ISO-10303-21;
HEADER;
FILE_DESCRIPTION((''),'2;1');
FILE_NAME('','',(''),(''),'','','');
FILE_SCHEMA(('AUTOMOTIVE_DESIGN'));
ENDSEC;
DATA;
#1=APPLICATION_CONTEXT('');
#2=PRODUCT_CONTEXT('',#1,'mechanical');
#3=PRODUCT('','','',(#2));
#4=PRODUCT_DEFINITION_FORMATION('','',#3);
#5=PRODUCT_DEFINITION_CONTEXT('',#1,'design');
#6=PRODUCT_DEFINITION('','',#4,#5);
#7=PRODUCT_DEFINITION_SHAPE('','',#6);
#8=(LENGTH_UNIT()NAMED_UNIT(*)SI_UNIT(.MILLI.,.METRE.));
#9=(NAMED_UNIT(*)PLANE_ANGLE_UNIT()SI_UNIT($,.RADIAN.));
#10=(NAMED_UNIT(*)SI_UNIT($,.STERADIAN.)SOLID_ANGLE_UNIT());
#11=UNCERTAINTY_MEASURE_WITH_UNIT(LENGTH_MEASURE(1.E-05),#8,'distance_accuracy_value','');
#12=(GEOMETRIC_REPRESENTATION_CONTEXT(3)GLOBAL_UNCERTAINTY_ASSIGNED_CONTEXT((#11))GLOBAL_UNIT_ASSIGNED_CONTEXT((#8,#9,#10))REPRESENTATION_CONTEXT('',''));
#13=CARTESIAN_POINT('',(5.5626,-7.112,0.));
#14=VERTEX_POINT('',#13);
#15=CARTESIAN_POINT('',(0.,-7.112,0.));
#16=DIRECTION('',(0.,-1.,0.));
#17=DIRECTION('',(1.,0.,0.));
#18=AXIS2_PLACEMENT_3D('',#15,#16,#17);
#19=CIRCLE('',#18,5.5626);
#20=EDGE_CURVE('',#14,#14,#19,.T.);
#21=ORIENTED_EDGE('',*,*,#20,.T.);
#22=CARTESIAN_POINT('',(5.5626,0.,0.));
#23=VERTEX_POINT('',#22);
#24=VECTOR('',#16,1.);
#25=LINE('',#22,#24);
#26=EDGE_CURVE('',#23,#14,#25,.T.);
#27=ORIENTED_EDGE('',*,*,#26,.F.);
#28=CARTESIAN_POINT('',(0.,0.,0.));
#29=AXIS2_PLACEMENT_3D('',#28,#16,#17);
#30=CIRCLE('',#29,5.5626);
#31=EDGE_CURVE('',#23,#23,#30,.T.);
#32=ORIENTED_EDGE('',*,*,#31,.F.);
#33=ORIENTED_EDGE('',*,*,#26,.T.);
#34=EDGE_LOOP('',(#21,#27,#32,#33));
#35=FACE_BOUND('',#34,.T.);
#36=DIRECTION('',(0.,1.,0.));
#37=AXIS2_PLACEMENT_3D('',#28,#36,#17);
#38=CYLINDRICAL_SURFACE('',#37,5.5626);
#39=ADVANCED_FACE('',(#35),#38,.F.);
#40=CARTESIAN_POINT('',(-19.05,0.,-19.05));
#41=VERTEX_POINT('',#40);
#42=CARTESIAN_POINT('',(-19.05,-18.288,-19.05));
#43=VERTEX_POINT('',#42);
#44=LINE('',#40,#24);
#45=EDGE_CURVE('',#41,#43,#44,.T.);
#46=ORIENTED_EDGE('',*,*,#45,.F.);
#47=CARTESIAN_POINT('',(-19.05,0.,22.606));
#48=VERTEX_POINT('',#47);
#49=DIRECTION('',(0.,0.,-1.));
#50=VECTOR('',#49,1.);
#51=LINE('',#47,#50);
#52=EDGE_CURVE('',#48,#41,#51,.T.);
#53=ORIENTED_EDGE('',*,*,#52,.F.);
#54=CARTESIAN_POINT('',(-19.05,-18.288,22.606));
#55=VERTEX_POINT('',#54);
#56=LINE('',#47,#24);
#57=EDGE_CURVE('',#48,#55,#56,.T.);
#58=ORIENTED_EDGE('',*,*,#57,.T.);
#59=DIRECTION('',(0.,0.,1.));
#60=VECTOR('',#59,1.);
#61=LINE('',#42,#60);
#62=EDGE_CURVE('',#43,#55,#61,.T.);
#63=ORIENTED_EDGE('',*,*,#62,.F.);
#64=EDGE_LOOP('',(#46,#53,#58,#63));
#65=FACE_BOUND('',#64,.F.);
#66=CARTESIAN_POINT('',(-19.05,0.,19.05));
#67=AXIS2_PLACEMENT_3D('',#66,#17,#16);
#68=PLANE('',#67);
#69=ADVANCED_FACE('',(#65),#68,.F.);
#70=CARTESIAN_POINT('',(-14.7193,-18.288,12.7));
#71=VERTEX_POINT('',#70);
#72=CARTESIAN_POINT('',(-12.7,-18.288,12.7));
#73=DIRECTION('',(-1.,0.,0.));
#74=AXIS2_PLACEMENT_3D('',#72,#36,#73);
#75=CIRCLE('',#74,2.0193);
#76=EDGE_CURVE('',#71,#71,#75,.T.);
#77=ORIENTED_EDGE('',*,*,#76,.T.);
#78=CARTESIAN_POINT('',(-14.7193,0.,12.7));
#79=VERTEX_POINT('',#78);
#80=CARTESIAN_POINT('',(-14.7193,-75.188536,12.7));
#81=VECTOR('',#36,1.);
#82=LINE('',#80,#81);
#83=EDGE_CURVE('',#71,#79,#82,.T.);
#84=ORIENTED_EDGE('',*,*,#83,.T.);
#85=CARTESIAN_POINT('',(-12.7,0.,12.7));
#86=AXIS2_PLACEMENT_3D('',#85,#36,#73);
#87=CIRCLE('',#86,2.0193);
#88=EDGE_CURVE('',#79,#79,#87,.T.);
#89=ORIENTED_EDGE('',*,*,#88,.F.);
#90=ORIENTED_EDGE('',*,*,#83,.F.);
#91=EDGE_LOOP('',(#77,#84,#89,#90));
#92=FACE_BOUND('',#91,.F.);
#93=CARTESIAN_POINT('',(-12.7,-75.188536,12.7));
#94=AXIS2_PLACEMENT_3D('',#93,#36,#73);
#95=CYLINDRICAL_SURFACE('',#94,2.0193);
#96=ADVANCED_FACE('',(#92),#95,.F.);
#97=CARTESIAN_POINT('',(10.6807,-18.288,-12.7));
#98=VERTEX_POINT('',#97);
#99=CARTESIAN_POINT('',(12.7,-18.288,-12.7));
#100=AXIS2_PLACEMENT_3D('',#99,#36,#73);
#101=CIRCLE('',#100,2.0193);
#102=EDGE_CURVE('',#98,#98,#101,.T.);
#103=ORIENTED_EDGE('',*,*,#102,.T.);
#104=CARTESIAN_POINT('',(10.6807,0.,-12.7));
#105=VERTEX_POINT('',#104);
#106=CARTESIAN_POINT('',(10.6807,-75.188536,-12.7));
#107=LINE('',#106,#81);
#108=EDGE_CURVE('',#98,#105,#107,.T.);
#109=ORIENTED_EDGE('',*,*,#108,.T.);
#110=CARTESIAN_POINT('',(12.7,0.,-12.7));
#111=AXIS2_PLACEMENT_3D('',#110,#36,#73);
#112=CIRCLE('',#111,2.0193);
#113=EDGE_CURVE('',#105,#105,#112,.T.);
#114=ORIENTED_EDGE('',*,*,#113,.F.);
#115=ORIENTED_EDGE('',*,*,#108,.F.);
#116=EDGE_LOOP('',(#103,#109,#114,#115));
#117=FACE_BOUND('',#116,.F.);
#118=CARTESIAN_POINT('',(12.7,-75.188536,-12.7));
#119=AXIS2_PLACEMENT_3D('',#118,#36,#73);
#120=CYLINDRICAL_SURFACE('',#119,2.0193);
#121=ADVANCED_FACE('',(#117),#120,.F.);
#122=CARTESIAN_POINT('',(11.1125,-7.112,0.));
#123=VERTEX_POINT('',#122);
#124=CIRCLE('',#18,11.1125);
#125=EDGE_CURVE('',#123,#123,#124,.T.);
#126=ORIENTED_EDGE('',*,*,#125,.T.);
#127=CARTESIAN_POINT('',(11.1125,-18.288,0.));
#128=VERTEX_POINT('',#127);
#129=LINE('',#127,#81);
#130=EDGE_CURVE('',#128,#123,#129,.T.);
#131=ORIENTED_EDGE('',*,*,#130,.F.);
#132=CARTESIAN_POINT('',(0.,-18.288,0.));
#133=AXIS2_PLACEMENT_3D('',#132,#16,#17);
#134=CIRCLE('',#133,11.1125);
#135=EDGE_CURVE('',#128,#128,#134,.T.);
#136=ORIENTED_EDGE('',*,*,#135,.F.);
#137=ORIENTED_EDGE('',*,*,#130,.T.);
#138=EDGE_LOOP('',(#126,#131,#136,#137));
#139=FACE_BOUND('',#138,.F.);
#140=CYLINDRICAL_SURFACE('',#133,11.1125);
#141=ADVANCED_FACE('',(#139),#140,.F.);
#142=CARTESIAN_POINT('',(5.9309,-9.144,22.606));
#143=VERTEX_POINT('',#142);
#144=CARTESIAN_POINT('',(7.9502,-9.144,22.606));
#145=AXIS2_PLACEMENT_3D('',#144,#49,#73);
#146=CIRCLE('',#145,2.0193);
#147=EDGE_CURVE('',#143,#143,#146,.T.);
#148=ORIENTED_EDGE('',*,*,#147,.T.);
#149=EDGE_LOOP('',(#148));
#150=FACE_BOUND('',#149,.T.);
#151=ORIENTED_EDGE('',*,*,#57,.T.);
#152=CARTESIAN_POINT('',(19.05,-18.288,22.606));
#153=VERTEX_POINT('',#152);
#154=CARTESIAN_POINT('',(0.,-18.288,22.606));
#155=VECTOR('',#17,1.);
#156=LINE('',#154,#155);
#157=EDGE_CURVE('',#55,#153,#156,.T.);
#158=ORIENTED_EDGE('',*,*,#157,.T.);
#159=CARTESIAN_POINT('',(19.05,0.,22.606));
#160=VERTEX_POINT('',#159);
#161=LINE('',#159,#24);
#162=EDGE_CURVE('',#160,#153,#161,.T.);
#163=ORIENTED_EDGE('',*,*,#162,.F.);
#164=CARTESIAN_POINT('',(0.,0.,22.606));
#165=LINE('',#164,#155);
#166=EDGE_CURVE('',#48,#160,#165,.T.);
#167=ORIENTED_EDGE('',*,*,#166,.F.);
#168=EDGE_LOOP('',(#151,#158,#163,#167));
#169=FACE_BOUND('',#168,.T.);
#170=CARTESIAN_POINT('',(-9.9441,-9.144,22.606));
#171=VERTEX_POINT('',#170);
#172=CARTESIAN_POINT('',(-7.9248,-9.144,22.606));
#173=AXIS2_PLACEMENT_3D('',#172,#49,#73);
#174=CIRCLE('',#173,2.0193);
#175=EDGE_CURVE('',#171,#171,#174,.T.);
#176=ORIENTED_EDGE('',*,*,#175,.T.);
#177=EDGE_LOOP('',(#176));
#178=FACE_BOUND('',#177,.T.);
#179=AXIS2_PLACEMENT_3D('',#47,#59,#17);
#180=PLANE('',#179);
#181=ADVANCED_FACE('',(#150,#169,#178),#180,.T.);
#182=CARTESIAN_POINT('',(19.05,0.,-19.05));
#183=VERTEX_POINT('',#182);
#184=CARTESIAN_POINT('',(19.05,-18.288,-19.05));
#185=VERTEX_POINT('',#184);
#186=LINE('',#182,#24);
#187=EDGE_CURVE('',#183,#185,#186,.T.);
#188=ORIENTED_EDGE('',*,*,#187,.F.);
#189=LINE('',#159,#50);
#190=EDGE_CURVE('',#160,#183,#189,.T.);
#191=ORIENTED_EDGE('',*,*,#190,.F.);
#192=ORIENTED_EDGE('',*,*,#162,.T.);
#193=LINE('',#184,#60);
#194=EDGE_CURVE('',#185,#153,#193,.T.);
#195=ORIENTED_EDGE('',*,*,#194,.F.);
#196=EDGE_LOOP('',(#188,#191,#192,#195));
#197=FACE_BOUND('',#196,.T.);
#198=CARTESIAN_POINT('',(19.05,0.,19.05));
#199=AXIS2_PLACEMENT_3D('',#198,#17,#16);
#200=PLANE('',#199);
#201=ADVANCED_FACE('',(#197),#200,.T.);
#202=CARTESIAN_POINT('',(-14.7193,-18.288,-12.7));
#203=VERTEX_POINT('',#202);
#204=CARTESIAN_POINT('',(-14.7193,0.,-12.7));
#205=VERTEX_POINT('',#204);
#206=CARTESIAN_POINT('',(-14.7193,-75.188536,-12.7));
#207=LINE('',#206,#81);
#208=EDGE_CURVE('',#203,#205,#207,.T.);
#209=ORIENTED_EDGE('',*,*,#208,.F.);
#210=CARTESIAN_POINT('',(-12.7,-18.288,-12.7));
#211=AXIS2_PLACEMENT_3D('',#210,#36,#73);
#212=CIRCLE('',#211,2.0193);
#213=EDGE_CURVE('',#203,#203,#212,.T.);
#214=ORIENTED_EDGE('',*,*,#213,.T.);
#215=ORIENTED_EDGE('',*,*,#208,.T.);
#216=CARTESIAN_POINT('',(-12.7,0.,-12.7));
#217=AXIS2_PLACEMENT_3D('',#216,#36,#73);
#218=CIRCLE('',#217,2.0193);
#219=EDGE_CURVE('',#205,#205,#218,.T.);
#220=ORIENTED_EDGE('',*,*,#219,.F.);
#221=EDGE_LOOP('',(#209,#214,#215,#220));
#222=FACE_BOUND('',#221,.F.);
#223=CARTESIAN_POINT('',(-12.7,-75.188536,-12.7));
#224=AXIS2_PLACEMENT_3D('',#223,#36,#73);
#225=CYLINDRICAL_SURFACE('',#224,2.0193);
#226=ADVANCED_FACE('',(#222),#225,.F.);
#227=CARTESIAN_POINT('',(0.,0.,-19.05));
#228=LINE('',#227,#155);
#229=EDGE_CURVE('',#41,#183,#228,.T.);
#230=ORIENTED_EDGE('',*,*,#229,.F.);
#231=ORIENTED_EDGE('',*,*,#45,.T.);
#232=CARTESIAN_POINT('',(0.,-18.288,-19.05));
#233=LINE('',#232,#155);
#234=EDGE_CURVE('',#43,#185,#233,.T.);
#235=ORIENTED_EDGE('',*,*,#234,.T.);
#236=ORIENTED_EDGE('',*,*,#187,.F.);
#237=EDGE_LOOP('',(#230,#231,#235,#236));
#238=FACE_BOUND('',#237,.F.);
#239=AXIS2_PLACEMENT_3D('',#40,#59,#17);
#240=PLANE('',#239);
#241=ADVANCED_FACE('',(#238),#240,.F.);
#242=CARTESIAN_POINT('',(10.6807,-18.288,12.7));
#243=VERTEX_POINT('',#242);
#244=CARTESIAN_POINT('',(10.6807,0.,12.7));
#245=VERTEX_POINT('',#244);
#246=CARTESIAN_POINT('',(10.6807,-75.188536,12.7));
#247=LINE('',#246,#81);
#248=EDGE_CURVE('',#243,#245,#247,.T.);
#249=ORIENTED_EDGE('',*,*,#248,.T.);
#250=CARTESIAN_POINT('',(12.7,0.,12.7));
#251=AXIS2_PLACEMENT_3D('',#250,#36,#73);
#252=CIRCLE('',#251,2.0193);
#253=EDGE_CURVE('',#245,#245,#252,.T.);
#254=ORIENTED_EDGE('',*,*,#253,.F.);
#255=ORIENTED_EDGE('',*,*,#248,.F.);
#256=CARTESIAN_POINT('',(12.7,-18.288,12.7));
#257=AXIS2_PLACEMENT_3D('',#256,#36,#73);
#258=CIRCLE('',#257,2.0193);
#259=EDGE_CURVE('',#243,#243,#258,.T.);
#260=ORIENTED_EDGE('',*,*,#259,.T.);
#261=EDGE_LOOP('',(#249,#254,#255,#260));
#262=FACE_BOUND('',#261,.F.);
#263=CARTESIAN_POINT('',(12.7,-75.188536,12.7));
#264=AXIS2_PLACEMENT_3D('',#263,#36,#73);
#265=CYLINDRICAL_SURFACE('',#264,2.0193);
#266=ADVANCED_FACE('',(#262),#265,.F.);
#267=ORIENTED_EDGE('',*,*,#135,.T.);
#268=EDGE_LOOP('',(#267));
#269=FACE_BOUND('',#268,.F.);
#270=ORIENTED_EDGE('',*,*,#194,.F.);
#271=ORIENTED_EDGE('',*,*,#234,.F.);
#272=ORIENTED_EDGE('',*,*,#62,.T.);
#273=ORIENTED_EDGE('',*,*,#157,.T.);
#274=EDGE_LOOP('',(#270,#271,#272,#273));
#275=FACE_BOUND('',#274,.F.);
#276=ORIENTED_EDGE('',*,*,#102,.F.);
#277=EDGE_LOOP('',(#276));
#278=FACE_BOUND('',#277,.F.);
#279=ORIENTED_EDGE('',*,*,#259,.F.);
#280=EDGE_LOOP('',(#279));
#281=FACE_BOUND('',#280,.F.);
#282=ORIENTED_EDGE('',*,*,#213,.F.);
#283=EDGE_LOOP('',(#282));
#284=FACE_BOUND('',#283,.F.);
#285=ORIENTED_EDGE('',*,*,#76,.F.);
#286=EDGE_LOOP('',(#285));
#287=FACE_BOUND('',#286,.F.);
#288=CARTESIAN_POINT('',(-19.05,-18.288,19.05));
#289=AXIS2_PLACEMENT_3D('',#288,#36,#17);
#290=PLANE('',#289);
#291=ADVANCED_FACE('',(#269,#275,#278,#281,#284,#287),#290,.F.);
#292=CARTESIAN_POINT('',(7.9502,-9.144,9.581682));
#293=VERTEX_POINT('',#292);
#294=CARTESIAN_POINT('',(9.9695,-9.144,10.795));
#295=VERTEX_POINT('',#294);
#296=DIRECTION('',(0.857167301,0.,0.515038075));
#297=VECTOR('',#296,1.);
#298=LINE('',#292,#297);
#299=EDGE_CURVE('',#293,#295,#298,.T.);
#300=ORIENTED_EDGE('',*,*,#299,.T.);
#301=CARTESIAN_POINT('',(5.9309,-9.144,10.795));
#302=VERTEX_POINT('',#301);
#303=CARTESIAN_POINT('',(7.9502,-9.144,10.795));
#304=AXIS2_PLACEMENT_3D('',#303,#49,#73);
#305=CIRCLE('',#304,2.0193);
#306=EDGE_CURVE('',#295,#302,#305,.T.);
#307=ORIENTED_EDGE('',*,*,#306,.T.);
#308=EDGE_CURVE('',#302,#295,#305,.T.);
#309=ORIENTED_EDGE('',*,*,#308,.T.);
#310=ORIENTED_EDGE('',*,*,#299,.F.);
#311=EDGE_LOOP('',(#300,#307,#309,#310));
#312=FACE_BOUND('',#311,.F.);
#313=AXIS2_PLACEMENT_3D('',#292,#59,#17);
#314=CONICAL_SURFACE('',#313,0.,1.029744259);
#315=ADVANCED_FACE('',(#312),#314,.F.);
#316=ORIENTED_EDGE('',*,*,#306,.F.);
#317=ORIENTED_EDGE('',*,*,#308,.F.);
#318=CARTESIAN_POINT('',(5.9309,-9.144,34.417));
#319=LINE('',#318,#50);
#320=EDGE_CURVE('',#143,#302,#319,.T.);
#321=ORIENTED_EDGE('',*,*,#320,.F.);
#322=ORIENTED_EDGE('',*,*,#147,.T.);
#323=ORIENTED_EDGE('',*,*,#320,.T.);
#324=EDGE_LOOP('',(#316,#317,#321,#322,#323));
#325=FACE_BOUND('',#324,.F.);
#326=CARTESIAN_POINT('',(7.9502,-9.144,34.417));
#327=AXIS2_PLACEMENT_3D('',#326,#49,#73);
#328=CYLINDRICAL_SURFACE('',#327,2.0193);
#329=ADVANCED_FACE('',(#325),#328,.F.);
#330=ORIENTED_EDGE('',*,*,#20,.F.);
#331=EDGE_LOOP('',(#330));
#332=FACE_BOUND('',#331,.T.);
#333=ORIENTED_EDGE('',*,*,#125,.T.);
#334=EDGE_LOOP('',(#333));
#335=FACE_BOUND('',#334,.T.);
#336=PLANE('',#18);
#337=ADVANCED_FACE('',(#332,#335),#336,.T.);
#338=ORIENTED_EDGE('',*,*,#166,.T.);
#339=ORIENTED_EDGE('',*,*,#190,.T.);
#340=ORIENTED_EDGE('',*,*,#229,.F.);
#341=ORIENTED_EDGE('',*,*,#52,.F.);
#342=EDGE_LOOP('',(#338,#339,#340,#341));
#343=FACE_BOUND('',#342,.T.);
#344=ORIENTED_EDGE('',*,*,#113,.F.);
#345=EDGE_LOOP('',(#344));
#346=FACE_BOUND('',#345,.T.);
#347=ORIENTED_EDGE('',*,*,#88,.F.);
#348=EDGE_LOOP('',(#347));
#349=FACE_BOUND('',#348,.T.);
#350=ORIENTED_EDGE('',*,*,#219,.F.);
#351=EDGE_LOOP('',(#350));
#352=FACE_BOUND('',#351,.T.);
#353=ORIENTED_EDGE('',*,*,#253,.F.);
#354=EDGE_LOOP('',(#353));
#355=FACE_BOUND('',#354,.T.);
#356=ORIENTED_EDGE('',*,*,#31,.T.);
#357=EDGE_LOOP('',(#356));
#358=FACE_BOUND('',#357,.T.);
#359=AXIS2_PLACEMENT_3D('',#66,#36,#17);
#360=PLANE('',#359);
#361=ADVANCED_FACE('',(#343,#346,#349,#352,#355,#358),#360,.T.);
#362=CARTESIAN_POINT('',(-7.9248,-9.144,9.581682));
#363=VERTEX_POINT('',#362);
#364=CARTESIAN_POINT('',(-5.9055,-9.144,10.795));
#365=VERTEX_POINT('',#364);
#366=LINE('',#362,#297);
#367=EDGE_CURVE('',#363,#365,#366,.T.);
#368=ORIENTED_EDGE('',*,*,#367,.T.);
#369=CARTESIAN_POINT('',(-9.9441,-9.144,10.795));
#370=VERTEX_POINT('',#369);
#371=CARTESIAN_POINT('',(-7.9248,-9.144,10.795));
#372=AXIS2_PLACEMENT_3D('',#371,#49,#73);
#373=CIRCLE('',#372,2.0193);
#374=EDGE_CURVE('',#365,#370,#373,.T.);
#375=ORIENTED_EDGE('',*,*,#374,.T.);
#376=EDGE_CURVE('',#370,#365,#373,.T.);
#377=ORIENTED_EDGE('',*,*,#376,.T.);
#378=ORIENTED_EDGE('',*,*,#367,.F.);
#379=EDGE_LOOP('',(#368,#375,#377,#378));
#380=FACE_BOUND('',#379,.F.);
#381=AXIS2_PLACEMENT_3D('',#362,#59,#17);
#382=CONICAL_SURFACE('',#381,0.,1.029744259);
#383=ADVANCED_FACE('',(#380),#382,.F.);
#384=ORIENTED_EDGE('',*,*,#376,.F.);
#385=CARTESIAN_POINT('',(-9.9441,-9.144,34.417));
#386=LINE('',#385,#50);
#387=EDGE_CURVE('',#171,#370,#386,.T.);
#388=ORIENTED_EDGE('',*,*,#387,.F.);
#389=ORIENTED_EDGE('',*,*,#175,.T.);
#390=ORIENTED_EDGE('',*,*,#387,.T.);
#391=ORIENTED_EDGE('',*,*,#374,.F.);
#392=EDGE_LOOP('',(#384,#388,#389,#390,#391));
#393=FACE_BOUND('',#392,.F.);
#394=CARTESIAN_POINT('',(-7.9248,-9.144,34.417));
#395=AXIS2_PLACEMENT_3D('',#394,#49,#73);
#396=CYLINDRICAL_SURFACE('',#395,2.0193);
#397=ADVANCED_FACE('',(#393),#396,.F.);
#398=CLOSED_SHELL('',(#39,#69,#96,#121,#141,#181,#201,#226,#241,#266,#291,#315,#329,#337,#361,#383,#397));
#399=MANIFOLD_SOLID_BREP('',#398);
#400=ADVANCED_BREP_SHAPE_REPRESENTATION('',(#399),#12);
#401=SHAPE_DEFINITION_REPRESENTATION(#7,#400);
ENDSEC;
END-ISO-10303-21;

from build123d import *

# Parameters (mm, degrees)
F0_W     = 38.1
F0_H     = 38.1
F0_R     = 5.5626
F1_DEPTH = 18.288
F3_D     = 4.0386
F4_R     = 11.1125
F4_R_2   = 5.5626
F5_DEPTH = 11.176
F6_DEPTH = 3.556
F8_D     = 4.0386
F8_DEPTH = 11.811
F8_TIP   = 1.213317848


with BuildPart() as f1:
    # F0 (on Front) → F1 (new body)
    with BuildSketch(Plane.XZ):
        Rectangle(F0_W, F0_H)
        Circle(F0_R, mode=Mode.SUBTRACT)
    extrude(amount=F1_DEPTH)

    # F3 (through all)
    with Locations(Plane.XZ.offset(18.288)):
        with Locations((-12.7, -12.7), (-12.7, 12.7), (12.7, 12.7), (12.7, -12.7)):
            Hole(F3_D / 2)

    # F4 (on face) → F5 (cut)
    with BuildSketch(Plane.XZ.offset(18.288)):
        Circle(F4_R)
        Circle(F4_R_2, mode=Mode.SUBTRACT)
    extrude(amount=-F5_DEPTH, mode=Mode.SUBTRACT)

    # F6 (add): a face of the model
    f6_faces = [f1.faces().sort_by_distance(p)[0] for p in [
        (0, -9.144, 19.05),
    ]]
    extrude(f6_faces, amount=F6_DEPTH)

    # F8
    with Locations(Plane.XY.offset(22.606)):
        with Locations((-7.9248, -9.144), (7.9502, -9.144)):
            Hole(F8_D / 2, depth=F8_DEPTH)
            with Locations((0, 0, -(F8_DEPTH + F8_TIP / 2))):  # 118° drill point
                Cone(0, F8_D / 2, F8_TIP, mode=Mode.SUBTRACT)


solid = f1.part
